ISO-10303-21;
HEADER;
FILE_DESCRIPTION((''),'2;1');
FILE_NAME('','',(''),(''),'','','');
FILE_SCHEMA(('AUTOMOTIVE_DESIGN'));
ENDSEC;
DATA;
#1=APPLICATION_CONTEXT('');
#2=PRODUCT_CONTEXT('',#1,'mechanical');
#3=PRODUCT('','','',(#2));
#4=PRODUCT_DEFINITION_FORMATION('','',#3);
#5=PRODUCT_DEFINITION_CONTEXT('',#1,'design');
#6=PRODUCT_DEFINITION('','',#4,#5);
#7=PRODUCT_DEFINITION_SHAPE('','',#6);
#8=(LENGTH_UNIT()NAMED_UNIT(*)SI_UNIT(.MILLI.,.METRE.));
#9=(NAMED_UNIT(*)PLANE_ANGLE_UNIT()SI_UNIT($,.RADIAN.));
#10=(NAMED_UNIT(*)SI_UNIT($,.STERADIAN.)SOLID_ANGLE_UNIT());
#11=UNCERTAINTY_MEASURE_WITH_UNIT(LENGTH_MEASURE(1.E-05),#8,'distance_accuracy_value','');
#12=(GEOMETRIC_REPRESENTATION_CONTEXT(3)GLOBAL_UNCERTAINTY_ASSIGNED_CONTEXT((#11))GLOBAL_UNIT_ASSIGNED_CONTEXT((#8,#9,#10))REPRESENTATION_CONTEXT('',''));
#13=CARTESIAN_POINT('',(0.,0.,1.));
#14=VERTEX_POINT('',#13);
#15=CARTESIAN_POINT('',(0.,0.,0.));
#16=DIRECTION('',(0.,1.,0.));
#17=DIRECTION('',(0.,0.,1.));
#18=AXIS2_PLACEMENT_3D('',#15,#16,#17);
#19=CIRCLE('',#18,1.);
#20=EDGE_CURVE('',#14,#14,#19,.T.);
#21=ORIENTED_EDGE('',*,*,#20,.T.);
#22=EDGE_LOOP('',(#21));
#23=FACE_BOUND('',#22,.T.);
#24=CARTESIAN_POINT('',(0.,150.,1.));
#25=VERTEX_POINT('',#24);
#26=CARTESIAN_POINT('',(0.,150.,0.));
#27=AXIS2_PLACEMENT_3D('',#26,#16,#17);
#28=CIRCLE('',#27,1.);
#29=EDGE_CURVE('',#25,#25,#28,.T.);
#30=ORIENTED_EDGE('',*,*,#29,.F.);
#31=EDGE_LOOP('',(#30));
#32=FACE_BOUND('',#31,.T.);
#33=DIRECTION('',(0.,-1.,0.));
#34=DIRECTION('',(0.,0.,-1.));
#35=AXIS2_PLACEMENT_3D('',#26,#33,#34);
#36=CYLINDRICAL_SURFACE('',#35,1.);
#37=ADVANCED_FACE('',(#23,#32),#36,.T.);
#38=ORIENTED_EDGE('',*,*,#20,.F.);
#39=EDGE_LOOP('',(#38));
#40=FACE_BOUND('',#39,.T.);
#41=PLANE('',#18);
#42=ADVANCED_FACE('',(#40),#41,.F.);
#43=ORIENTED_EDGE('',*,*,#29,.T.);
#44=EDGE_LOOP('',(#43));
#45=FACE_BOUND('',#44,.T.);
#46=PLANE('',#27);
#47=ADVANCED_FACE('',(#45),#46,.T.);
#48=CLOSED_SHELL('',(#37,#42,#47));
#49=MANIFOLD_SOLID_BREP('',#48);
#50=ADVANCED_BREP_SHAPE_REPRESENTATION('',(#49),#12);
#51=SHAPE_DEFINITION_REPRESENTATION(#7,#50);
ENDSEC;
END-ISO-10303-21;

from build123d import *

# Parameters (mm, degrees)
SKETCH1_R           = 1
BOSS_EXTRUDE2_DEPTH = 150


with BuildPart() as part:
    # Sketch1 → Boss-Extrude2 (new body)
    with BuildSketch(Plane(origin=(0, 0, 0), x_dir=(1, 0, 0), z_dir=(0, 1, 0))):
        Circle(SKETCH1_R)
    extrude(amount=BOSS_EXTRUDE2_DEPTH)


solid = part.part
